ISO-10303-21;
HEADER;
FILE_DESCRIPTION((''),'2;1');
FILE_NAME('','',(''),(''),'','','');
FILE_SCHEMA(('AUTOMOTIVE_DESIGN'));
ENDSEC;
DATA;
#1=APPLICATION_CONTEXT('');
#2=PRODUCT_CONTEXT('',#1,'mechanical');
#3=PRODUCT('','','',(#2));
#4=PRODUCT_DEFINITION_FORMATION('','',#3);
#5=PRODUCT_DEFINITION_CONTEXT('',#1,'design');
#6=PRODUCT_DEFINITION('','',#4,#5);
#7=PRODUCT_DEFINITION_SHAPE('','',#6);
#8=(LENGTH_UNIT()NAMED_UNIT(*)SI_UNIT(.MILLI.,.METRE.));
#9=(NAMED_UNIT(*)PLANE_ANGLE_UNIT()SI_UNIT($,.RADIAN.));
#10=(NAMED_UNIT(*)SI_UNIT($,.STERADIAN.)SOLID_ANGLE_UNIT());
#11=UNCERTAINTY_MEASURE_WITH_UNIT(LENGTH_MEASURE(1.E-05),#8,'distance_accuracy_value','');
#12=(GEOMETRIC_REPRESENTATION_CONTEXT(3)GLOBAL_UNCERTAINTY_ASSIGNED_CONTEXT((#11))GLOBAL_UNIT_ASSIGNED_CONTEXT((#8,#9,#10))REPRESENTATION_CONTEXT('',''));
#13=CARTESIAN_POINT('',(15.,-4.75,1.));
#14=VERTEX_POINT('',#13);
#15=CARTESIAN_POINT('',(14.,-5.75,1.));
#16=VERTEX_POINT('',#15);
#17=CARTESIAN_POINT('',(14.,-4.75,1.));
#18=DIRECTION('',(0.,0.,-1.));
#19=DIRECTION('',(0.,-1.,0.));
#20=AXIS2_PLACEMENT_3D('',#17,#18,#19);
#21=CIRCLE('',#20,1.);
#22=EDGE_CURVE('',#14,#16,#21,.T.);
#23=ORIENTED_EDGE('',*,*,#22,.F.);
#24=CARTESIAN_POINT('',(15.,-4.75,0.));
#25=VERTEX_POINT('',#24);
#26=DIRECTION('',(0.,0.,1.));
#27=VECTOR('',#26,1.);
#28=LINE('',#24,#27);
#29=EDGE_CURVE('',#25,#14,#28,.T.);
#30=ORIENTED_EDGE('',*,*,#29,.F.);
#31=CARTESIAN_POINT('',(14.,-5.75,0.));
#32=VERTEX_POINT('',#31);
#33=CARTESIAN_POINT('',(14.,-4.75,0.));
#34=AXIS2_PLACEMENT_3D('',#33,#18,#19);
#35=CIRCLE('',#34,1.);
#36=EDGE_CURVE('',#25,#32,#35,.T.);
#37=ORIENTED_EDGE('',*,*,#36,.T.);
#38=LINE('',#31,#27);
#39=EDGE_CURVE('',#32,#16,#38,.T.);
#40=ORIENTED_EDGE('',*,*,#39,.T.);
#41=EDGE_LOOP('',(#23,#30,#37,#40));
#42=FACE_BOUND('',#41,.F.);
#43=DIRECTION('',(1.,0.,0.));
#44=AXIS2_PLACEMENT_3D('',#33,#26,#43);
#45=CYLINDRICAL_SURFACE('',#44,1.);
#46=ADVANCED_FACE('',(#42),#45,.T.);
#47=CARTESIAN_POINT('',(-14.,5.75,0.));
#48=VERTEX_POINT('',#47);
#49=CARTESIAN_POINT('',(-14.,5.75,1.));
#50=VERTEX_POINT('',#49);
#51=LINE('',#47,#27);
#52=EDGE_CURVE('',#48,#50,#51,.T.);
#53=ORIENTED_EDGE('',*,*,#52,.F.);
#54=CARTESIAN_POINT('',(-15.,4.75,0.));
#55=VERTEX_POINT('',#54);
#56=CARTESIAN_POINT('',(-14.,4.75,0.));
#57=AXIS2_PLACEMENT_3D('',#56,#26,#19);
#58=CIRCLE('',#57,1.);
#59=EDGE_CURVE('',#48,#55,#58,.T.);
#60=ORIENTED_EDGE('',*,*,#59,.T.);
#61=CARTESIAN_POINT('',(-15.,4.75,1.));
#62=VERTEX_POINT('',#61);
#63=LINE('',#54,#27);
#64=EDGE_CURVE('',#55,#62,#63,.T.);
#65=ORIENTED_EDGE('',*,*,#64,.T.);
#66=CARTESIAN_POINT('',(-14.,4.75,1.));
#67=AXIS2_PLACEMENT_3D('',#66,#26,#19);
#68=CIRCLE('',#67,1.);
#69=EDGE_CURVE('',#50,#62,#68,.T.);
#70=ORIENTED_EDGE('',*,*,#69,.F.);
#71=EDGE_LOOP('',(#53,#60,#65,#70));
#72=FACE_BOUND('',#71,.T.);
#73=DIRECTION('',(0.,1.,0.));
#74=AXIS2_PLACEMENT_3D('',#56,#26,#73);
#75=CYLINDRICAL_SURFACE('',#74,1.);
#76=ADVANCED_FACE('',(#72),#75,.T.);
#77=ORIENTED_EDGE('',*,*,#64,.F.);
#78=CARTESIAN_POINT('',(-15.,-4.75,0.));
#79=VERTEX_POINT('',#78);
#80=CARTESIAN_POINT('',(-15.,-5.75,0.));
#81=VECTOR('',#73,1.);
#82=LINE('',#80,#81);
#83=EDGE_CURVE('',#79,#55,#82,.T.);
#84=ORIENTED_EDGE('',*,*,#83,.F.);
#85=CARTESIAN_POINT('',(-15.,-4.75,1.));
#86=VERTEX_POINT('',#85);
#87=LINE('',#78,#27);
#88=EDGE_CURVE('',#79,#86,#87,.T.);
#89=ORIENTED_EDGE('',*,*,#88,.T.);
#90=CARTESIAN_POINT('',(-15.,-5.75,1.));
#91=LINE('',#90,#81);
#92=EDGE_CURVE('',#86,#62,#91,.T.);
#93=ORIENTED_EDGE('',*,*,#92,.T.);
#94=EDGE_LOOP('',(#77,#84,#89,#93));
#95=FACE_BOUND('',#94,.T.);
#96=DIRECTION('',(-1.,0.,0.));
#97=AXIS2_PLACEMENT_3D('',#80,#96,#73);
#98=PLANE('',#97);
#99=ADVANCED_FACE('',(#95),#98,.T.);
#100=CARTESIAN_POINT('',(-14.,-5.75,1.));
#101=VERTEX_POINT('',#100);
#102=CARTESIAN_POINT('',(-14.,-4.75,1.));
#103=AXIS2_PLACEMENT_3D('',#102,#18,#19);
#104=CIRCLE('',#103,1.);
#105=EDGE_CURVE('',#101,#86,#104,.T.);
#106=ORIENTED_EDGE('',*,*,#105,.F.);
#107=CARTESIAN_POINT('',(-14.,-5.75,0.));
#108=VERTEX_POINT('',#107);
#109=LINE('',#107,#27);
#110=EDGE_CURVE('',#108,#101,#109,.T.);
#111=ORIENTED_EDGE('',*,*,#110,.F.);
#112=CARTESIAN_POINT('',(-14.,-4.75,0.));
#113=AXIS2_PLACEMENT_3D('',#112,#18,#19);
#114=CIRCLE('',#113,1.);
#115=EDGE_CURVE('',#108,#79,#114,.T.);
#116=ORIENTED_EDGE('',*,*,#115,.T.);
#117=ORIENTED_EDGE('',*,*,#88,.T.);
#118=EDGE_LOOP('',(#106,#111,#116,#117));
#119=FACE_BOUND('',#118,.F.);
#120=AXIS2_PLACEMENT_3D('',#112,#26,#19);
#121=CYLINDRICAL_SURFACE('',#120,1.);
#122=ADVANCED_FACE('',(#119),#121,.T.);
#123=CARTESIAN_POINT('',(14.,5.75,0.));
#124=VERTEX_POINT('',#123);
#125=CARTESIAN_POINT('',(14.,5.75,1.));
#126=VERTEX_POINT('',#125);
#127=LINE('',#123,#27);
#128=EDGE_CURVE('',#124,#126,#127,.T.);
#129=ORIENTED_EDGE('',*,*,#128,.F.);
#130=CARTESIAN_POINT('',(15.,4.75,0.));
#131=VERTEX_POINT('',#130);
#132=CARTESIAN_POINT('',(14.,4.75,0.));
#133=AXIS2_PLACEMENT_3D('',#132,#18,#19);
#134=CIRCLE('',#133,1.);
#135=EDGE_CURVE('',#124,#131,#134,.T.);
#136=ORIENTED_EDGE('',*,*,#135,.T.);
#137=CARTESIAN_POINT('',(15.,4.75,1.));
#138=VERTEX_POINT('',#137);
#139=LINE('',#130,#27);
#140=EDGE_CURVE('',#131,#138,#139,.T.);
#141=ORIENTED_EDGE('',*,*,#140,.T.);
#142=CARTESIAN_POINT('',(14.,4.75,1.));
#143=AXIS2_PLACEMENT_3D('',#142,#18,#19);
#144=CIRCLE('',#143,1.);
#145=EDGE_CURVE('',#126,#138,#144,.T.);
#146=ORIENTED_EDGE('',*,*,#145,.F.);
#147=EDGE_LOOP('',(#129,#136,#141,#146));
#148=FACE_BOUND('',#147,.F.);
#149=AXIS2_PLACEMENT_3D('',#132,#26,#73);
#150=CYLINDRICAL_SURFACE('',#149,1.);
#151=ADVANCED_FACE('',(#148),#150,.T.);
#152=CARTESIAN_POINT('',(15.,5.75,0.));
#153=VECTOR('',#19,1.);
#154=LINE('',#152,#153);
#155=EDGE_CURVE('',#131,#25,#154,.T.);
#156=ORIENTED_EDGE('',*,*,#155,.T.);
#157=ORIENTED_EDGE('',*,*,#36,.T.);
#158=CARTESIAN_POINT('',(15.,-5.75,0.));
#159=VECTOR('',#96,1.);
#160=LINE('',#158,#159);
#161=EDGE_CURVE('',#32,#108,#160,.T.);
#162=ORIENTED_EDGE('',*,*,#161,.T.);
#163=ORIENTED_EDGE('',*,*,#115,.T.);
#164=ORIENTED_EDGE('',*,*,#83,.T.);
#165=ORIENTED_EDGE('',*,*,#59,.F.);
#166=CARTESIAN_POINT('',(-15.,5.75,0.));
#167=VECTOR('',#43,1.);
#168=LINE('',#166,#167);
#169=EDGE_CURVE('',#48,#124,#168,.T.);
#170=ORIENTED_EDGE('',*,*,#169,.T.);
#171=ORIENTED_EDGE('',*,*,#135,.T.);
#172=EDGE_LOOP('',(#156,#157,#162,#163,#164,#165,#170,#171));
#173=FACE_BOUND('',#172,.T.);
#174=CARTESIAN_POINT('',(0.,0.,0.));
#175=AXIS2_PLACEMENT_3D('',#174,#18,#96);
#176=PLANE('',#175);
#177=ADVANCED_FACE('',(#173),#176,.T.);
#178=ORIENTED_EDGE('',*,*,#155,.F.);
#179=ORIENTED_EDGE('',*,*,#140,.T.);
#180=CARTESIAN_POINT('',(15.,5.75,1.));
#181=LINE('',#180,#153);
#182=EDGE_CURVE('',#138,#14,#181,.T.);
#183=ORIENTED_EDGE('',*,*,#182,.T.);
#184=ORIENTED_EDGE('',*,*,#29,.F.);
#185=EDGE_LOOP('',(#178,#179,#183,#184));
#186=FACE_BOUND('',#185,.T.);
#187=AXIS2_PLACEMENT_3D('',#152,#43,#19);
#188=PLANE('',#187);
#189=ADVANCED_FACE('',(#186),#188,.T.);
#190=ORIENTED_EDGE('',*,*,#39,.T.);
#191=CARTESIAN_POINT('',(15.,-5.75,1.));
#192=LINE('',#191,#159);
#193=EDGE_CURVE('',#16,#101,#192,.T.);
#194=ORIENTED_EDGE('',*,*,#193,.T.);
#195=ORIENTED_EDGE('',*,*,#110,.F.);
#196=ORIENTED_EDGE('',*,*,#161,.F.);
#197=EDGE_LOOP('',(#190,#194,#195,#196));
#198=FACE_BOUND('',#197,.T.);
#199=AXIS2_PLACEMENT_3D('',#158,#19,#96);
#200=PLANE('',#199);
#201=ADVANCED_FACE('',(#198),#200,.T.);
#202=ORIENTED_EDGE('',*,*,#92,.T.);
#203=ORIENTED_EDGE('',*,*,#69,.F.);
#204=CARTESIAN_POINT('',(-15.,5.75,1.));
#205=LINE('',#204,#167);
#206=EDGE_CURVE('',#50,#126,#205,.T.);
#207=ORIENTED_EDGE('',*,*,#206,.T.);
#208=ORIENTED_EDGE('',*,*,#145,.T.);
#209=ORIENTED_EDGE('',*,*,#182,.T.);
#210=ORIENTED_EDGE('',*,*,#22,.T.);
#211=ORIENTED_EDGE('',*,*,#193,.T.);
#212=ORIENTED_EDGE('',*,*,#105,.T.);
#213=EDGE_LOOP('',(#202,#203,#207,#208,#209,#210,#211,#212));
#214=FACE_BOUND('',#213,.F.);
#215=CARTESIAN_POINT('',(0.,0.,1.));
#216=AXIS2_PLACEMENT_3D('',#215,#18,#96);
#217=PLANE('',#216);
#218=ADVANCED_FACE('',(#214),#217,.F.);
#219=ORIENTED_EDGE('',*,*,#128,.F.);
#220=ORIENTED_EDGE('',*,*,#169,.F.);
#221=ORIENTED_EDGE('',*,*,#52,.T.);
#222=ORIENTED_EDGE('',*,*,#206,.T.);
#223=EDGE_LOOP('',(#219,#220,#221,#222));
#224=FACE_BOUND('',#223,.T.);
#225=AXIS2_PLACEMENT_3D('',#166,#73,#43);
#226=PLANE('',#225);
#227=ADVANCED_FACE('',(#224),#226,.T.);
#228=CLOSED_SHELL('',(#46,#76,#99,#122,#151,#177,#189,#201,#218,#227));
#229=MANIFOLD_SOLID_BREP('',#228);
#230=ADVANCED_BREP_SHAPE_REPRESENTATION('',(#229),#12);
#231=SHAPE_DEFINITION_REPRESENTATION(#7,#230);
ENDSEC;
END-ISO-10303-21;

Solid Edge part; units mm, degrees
sketch "Sketch1" plane through (0, 0, 0) normal (0, 0, 1) x (1, 0, 0)
  line L0 (-15, 5.75) -> (15, 5.75)
  line L1 (15, 5.75) -> (15, -5.75)
  line L2 (15, -5.75) -> (-15, -5.75)
  line L3 (-15, -5.75) -> (-15, 5.75)
  dimension "D1" = 30
  dimension "D2" = 11.5
extrude "Protrusion1" add sketch "Sketch1" along normal blind 1
fillet "Avrundningar_1" radius 1 4 edges at (-15, -5.75, 0.5) (15, -5.75, 0.5) (15, 5.75, 0.5) (-15, 5.75, 0.5)
